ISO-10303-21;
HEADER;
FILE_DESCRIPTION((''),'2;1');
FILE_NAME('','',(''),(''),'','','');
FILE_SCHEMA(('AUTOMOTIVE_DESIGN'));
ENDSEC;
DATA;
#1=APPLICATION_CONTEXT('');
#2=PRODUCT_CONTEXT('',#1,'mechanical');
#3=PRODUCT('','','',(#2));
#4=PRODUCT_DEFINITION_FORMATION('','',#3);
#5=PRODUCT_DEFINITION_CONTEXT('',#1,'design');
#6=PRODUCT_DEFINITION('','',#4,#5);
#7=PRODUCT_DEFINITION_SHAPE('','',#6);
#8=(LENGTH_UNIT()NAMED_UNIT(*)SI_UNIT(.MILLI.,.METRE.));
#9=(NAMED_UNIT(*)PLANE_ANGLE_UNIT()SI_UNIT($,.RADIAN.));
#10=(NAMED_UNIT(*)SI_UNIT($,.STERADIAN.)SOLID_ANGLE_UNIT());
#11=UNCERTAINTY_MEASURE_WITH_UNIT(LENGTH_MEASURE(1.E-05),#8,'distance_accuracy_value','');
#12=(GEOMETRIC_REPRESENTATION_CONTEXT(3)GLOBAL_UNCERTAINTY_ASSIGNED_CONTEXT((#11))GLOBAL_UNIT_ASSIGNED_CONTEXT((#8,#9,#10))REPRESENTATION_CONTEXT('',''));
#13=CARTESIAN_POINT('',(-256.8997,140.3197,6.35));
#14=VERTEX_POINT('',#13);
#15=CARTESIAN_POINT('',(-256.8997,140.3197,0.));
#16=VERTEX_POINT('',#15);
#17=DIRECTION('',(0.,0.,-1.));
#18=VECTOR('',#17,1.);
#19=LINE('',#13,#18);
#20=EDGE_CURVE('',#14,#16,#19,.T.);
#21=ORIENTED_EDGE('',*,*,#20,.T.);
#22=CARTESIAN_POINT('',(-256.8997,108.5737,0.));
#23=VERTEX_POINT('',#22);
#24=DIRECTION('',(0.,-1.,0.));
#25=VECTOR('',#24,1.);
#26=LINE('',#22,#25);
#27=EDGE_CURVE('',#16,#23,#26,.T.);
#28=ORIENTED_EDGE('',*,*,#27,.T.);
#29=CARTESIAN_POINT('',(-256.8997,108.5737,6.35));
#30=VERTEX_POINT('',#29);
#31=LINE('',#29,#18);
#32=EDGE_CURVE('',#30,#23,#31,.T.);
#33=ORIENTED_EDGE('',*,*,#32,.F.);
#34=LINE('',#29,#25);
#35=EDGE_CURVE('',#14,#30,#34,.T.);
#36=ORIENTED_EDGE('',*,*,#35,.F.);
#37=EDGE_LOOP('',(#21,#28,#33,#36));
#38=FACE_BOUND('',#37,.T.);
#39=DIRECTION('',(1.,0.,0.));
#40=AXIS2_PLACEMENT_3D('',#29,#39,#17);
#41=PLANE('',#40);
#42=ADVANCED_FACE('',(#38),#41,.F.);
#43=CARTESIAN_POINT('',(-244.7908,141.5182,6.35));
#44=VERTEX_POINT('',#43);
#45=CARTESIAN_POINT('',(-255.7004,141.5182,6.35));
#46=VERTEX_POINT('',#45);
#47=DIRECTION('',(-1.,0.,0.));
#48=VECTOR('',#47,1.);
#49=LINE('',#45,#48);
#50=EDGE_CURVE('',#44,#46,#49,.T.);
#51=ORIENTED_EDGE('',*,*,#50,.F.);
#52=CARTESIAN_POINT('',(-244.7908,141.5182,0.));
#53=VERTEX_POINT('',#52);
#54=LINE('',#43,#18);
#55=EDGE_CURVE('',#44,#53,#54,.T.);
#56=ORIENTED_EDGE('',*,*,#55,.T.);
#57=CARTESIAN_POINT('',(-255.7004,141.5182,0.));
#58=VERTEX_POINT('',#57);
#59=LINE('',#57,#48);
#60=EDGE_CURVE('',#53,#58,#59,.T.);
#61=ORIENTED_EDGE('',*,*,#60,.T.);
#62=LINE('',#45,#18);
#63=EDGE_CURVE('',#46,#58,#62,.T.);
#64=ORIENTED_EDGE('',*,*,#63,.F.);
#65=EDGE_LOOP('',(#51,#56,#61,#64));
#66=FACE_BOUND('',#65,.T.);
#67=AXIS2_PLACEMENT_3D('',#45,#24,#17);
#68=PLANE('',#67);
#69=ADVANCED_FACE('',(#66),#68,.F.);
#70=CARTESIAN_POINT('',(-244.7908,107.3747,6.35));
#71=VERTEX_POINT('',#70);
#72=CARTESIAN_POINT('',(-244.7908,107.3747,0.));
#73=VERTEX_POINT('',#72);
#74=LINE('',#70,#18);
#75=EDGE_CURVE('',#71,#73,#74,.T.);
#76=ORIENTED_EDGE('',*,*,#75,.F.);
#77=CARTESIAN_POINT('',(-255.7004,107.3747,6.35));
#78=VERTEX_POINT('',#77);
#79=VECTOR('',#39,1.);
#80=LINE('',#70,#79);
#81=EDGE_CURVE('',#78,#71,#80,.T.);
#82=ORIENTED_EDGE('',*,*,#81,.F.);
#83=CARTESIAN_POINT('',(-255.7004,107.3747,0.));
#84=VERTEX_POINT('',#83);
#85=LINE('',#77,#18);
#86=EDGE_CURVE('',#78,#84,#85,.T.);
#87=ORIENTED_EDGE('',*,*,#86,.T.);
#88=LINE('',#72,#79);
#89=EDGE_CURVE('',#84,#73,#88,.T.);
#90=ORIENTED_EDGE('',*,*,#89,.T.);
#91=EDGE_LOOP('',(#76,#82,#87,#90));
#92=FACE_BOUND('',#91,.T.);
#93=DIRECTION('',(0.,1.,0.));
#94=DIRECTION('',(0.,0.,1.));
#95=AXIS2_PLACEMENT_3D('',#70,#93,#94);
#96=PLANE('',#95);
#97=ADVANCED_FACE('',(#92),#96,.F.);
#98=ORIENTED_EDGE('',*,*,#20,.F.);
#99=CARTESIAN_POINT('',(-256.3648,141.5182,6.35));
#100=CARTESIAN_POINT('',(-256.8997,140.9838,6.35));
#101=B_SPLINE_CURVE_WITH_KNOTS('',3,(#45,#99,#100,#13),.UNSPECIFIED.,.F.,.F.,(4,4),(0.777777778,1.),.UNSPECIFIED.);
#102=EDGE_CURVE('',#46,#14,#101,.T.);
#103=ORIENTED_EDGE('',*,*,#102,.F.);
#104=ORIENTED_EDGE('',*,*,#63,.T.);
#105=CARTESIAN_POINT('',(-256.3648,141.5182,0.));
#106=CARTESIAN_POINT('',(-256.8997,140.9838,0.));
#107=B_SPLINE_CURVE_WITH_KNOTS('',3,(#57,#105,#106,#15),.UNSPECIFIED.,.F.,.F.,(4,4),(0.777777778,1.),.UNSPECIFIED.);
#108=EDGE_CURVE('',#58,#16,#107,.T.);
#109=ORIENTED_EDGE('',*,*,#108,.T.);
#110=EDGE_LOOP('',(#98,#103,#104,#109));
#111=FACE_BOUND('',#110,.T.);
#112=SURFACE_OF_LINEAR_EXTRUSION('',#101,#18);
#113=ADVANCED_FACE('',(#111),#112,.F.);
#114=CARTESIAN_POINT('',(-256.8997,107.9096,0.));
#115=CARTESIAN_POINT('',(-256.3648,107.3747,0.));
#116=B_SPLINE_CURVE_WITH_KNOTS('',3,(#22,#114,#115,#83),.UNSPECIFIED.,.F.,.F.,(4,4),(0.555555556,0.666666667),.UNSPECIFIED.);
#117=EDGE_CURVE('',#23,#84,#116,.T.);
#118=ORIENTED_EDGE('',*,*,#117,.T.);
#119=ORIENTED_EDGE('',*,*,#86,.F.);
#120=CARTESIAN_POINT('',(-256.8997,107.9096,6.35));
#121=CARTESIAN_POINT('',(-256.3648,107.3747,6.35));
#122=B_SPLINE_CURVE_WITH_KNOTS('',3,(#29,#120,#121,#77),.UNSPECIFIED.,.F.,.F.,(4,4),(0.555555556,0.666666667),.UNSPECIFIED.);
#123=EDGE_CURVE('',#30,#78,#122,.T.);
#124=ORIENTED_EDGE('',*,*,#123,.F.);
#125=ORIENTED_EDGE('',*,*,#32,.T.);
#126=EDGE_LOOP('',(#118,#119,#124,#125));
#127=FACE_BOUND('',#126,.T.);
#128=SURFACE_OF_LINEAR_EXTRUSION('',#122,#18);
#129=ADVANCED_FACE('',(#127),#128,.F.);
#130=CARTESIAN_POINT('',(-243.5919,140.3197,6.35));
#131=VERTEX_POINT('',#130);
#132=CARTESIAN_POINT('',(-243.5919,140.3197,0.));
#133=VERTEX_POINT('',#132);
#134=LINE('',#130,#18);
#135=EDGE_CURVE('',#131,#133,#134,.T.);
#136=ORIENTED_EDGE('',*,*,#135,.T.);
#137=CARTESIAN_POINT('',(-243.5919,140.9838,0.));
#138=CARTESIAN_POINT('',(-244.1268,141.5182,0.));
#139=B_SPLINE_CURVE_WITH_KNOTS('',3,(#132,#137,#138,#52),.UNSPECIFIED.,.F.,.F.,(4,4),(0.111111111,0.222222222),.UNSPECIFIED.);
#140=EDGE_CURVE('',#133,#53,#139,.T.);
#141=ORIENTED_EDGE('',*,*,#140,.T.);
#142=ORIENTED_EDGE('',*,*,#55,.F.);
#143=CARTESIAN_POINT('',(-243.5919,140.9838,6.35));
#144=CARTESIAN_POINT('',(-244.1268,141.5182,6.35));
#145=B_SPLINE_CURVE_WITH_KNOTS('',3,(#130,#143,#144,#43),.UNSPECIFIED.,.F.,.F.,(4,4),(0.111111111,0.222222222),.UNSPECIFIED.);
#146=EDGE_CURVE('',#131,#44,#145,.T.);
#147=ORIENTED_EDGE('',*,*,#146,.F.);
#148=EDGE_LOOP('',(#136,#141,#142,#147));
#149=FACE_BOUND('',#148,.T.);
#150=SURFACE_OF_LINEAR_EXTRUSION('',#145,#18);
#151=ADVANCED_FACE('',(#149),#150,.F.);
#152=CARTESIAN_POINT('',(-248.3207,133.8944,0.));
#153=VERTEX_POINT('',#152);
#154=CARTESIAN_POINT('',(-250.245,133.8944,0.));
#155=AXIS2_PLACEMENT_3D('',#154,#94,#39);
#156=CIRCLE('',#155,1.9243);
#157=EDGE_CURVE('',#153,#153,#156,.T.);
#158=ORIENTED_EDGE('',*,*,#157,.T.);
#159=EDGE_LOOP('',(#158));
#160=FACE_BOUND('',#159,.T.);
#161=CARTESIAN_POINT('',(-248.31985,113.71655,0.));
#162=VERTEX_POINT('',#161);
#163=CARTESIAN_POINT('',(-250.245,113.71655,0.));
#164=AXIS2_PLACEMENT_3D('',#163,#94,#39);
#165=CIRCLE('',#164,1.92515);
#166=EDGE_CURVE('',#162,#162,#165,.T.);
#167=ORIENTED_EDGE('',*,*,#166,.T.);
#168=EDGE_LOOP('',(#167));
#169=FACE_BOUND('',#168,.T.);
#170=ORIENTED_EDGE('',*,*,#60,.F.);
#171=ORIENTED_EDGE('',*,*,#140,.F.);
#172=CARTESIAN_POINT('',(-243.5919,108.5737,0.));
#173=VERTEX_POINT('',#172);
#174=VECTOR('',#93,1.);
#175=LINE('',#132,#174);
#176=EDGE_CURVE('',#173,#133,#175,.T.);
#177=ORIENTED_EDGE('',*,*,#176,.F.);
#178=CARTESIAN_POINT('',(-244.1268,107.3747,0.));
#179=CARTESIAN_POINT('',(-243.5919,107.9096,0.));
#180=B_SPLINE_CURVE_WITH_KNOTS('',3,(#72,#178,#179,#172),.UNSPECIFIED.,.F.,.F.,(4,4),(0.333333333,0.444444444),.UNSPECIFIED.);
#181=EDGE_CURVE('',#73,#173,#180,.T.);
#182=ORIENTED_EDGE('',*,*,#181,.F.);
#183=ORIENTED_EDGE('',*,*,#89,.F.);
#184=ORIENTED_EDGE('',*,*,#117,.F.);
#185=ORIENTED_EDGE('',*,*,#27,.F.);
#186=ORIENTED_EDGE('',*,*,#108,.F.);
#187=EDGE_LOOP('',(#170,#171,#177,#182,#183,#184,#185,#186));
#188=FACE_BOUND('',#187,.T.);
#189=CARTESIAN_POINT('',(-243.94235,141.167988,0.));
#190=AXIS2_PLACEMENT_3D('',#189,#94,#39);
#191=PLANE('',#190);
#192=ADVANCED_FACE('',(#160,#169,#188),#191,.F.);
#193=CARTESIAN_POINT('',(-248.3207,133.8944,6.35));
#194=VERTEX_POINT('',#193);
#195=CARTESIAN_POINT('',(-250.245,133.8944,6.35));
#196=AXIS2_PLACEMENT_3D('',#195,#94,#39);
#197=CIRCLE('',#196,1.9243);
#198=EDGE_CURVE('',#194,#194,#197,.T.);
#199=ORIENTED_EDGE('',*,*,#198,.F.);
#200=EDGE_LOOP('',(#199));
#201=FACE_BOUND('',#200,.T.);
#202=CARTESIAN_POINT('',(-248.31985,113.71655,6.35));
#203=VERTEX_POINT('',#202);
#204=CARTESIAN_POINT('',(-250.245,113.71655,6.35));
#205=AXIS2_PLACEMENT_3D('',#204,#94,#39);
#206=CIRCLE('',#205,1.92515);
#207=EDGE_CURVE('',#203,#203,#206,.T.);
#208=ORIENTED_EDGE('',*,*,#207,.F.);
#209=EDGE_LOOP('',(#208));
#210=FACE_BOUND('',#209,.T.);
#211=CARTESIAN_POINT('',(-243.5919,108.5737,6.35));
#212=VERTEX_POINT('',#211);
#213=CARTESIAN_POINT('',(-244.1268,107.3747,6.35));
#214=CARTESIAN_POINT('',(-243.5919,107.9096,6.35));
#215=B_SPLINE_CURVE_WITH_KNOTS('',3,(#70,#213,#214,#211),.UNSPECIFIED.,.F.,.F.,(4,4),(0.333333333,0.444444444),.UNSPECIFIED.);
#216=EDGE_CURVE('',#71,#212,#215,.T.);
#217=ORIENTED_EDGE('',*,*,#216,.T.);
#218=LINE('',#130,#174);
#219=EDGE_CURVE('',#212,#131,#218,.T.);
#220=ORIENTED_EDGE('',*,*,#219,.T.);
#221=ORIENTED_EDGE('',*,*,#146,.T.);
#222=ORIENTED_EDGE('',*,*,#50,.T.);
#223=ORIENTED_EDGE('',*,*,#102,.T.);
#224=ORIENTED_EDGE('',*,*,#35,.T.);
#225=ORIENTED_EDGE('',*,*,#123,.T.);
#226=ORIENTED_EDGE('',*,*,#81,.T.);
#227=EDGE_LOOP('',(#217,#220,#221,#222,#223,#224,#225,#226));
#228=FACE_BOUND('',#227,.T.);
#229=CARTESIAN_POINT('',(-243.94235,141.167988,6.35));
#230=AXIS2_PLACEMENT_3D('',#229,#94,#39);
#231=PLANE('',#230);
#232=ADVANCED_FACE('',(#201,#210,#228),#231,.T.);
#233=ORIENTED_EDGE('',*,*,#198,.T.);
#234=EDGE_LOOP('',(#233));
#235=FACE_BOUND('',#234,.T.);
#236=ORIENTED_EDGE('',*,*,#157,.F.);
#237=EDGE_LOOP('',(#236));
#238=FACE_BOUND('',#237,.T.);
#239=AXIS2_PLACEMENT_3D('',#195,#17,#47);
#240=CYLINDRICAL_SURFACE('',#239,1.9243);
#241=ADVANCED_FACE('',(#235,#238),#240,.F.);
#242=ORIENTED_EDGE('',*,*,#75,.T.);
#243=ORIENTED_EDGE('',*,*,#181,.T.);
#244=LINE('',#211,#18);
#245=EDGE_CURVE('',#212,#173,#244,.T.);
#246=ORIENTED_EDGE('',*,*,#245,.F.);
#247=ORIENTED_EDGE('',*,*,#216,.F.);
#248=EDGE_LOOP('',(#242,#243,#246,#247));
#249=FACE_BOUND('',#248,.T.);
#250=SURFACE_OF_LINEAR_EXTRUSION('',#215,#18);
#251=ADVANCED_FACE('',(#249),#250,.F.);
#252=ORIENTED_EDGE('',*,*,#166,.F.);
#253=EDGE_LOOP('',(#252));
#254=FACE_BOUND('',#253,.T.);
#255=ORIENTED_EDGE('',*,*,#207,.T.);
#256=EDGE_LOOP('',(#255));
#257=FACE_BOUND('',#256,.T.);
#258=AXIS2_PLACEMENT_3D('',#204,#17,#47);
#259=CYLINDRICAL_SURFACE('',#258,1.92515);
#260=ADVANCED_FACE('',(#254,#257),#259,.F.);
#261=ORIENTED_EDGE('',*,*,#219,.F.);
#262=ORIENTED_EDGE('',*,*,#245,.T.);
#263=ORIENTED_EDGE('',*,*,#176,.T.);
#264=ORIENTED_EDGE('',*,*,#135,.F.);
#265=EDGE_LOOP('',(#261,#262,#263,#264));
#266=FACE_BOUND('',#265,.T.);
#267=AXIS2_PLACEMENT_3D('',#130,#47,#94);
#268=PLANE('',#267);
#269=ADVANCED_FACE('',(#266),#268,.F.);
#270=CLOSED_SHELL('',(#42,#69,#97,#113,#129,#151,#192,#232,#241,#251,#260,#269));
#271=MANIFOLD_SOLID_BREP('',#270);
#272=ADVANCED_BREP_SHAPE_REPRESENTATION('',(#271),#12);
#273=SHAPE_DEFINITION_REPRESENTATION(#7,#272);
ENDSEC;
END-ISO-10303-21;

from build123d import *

# Parameters (mm, degrees)
MODEL_R             = 1.9243
MODEL_R_2           = 1.92515
BOSS_EXTRUDE1_DEPTH = 6.35


with BuildPart() as part:
    # Model → Boss-Extrude1 (new body)
    with BuildSketch(Plane.XY):
        with BuildLine():
            Line((-255.7004, 141.5182), (-244.7908, 141.5182))
            add(Edge.make_bspline(
                [(-244.7908, 141.5182), (-244.1268, 141.5182), (-243.5919, 140.9838), (-243.5919, 140.3197)],
                knots=[0.111111111, 0.111111111, 0.111111111, 0.111111111, 0.222222222, 0.222222222, 0.222222222, 0.222222222], degree=3))
            Line((-243.5919, 140.3197), (-243.5919, 108.5737))
            add(Edge.make_bspline(
                [(-243.5919, 108.5737), (-243.5919, 107.9096), (-244.1268, 107.3747), (-244.7908, 107.3747)],
                knots=[0.333333333, 0.333333333, 0.333333333, 0.333333333, 0.444444444, 0.444444444, 0.444444444, 0.444444444], degree=3))
            Line((-244.7908, 107.3747), (-255.7004, 107.3747))
            add(Edge.make_bspline(
                [(-255.7004, 107.3747), (-256.3648, 107.3747), (-256.8997, 107.9096), (-256.8997, 108.5737)],
                knots=[0.555555556, 0.555555556, 0.555555556, 0.555555556, 0.666666667, 0.666666667, 0.666666667, 0.666666667], degree=3))
            Line((-256.8997, 108.5737), (-256.8997, 140.3197))
            add(Edge.make_bspline(
                [(-256.8997, 140.3197), (-256.8997, 140.9838), (-256.3648, 141.5182), (-255.7004, 141.5182)],
                knots=[0.777777778, 0.777777778, 0.777777778, 0.777777778, 1, 1, 1, 1], degree=3))
        make_face()
        with Locations((-250.245, 133.8944)):
            Circle(MODEL_R, mode=Mode.SUBTRACT)
        with Locations((-250.245, 113.71655)):
            Circle(MODEL_R_2, mode=Mode.SUBTRACT)
    extrude(amount=BOSS_EXTRUDE1_DEPTH)


solid = part.part
